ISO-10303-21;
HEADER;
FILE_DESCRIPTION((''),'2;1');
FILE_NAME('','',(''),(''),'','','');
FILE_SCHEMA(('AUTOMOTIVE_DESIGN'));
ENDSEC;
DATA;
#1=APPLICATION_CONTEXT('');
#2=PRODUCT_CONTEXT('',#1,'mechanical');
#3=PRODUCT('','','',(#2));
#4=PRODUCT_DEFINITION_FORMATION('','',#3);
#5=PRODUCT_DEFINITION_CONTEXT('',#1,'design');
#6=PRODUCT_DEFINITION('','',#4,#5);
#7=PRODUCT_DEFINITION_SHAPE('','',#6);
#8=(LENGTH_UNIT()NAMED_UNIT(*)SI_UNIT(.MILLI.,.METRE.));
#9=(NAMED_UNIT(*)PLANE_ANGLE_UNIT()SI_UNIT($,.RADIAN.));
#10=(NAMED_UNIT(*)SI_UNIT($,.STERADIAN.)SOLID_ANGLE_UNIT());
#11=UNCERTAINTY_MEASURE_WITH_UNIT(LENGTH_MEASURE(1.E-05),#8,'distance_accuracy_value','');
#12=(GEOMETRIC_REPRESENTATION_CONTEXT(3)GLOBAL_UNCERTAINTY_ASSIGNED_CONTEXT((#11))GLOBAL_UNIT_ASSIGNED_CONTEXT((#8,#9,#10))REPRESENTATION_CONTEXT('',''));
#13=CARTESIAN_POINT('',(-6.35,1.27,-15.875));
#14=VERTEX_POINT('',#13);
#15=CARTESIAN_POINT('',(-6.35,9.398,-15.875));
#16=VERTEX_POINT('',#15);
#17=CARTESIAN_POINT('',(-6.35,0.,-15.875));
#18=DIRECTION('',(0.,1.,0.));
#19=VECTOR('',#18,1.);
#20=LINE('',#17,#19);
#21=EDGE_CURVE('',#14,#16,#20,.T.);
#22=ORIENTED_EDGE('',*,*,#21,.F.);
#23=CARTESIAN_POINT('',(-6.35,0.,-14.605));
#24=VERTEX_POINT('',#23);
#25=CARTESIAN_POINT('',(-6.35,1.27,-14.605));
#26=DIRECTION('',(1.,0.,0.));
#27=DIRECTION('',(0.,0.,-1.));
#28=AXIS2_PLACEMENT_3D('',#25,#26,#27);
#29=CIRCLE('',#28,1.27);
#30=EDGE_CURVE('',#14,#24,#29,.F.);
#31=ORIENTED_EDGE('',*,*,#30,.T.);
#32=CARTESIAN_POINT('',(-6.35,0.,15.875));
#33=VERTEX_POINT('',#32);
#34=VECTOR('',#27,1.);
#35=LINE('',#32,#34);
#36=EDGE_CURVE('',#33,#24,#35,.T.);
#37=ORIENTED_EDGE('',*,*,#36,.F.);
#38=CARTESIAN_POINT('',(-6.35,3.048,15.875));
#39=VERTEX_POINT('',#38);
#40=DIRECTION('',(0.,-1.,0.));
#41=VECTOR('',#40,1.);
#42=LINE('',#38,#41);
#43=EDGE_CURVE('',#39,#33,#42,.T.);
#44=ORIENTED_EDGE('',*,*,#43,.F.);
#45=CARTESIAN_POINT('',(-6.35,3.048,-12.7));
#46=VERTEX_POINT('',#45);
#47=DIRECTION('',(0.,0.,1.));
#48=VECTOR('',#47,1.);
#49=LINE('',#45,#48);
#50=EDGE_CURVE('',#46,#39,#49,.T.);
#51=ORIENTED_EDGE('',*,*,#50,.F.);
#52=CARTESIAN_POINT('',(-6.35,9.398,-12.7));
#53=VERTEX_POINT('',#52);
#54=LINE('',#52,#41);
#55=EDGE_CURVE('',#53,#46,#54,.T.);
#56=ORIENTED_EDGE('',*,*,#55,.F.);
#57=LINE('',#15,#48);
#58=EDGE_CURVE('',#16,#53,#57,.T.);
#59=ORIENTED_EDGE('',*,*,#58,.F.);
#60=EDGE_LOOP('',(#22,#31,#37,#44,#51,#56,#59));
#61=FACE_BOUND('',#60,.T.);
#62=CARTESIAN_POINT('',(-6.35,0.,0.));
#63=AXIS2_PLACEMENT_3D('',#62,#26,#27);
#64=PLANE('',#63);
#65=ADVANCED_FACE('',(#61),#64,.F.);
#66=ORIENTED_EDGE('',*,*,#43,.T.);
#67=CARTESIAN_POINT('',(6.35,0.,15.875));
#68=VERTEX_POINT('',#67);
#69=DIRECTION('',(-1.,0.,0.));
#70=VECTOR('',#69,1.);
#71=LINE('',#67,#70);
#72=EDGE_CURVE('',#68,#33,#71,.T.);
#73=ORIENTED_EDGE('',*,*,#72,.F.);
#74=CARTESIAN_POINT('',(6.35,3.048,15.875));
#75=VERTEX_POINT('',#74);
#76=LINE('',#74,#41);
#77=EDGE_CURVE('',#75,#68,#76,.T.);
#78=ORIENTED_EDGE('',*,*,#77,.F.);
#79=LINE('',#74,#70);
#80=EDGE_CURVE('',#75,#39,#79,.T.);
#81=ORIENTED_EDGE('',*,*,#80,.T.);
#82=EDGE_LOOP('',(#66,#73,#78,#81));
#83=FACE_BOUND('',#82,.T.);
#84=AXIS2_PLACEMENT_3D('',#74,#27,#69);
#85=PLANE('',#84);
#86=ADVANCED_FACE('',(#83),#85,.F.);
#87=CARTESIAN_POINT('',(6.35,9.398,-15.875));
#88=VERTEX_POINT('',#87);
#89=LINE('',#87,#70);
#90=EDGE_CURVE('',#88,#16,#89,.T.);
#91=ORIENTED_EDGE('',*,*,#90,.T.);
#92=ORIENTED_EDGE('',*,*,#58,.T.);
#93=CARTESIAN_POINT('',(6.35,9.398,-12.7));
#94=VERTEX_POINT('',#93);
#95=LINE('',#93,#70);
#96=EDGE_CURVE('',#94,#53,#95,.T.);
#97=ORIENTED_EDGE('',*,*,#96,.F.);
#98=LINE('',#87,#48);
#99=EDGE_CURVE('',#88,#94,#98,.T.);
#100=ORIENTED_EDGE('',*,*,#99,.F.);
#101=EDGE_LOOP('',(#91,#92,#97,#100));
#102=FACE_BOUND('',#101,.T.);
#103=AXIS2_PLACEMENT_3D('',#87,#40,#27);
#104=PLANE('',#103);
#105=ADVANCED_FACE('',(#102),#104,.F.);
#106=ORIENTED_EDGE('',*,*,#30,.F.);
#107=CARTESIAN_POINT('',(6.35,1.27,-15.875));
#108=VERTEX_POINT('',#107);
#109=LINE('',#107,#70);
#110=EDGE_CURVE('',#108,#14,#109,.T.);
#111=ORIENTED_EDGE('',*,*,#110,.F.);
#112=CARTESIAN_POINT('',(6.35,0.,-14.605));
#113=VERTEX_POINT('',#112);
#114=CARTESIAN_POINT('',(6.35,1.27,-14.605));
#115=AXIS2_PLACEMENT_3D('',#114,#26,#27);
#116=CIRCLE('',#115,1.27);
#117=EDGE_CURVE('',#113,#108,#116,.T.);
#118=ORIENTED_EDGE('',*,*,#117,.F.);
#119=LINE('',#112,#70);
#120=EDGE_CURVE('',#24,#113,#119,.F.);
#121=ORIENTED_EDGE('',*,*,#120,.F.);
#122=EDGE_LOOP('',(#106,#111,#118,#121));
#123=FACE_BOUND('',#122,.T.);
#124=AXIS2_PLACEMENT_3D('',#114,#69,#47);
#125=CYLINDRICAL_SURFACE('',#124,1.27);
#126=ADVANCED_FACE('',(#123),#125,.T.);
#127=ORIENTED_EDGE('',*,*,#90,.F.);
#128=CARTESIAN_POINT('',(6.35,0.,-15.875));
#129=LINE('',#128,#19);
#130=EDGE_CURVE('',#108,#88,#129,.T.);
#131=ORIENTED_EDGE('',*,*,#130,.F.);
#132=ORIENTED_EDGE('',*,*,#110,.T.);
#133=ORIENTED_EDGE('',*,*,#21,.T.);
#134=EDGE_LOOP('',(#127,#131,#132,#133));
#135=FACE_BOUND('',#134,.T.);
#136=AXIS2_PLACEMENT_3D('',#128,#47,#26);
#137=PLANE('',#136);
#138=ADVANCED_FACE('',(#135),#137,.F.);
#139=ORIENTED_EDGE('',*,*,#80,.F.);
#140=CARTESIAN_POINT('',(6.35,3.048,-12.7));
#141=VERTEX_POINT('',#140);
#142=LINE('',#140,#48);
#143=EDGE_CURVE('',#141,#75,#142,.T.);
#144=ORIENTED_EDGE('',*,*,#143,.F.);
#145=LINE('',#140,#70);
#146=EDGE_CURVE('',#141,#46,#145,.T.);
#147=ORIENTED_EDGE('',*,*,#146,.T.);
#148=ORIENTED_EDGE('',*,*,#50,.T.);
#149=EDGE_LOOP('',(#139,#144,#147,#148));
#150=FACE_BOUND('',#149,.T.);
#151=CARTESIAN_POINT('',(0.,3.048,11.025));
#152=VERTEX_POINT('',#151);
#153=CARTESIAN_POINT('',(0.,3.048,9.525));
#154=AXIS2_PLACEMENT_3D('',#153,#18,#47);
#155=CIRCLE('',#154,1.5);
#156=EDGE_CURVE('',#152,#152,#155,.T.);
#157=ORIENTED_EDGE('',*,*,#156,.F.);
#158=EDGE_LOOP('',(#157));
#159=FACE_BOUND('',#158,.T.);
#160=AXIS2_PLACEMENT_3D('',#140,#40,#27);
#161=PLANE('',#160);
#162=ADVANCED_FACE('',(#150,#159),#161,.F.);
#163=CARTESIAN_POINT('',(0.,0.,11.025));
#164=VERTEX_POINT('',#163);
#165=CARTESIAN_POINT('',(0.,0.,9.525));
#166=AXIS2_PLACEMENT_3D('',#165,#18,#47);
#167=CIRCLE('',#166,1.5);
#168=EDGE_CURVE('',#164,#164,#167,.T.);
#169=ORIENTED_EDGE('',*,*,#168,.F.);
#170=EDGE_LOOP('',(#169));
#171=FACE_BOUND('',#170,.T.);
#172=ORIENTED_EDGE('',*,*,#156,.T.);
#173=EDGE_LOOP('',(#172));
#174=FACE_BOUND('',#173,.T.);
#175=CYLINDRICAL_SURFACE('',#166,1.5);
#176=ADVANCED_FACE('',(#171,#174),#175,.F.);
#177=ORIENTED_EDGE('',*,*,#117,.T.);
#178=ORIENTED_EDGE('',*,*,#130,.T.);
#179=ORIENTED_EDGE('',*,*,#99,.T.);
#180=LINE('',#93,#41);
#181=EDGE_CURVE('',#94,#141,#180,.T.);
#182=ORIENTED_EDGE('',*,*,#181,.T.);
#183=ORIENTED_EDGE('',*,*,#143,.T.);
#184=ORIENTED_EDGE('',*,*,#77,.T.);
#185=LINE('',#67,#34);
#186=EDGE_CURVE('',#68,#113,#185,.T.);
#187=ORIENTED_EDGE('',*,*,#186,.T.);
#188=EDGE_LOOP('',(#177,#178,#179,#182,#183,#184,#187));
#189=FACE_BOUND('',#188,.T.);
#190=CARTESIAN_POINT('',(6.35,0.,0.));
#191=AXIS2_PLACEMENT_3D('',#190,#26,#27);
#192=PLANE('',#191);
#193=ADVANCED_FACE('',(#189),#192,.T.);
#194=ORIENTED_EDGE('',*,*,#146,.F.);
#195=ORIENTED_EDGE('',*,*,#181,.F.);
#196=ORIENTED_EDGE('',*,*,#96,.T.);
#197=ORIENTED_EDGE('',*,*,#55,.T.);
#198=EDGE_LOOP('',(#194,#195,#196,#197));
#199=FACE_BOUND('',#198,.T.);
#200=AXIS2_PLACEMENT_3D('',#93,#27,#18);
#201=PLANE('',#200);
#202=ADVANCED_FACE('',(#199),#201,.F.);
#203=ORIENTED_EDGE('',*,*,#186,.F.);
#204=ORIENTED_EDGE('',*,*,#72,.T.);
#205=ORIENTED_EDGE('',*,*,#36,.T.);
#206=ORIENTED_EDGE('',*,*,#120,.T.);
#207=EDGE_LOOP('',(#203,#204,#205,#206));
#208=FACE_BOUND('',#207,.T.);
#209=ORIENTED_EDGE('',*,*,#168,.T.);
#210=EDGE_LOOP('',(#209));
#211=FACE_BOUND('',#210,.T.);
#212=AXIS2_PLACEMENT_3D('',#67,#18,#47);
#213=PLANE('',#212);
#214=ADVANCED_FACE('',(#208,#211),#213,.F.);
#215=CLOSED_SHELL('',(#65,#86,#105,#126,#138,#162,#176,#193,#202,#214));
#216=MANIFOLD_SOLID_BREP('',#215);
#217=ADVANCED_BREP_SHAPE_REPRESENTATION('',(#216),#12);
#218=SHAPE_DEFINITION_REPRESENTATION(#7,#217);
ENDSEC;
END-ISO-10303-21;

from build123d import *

# Parameters (mm, degrees)
BOSS_EXTRUDE1_DEPTH = 6.35
SKETCH4_R           = 1.5
CUT_EXTRUDE1_DEPTH  = 19.238986403
FILLET1_R           = 1.27


with BuildPart() as part:
    # Sketch1 → Boss-Extrude1 (new, symmetric)
    with BuildSketch(Plane(origin=(0, 0, 0), x_dir=(0, 0, -1), z_dir=(1, 0, 0))):
        Polygon((-15.875, 0), (15.875, 0), (15.875, 9.398), (12.7, 9.398), (12.7, 3.048), (-15.875, 3.048), align=None)
    extrude(amount=BOSS_EXTRUDE1_DEPTH, both=True)

    # Sketch4 → Cut-Extrude1 (cut, through all)
    with BuildSketch(Plane(origin=(0, 3.048, 0), x_dir=(1, 0, 0), z_dir=(0, 1, 0))):
        with Locations(Location((0, -9.525, 0), (0, 0, 270))):
            Circle(SKETCH4_R)
    extrude(amount=-CUT_EXTRUDE1_DEPTH, mode=Mode.SUBTRACT)

    # Fillet1
    fillet1_edges = [part.edges().sort_by_distance(p)[0] for p in [
        (0, 0, -15.875),
    ]]
    fillet(fillet1_edges, radius=FILLET1_R)


solid = part.part
